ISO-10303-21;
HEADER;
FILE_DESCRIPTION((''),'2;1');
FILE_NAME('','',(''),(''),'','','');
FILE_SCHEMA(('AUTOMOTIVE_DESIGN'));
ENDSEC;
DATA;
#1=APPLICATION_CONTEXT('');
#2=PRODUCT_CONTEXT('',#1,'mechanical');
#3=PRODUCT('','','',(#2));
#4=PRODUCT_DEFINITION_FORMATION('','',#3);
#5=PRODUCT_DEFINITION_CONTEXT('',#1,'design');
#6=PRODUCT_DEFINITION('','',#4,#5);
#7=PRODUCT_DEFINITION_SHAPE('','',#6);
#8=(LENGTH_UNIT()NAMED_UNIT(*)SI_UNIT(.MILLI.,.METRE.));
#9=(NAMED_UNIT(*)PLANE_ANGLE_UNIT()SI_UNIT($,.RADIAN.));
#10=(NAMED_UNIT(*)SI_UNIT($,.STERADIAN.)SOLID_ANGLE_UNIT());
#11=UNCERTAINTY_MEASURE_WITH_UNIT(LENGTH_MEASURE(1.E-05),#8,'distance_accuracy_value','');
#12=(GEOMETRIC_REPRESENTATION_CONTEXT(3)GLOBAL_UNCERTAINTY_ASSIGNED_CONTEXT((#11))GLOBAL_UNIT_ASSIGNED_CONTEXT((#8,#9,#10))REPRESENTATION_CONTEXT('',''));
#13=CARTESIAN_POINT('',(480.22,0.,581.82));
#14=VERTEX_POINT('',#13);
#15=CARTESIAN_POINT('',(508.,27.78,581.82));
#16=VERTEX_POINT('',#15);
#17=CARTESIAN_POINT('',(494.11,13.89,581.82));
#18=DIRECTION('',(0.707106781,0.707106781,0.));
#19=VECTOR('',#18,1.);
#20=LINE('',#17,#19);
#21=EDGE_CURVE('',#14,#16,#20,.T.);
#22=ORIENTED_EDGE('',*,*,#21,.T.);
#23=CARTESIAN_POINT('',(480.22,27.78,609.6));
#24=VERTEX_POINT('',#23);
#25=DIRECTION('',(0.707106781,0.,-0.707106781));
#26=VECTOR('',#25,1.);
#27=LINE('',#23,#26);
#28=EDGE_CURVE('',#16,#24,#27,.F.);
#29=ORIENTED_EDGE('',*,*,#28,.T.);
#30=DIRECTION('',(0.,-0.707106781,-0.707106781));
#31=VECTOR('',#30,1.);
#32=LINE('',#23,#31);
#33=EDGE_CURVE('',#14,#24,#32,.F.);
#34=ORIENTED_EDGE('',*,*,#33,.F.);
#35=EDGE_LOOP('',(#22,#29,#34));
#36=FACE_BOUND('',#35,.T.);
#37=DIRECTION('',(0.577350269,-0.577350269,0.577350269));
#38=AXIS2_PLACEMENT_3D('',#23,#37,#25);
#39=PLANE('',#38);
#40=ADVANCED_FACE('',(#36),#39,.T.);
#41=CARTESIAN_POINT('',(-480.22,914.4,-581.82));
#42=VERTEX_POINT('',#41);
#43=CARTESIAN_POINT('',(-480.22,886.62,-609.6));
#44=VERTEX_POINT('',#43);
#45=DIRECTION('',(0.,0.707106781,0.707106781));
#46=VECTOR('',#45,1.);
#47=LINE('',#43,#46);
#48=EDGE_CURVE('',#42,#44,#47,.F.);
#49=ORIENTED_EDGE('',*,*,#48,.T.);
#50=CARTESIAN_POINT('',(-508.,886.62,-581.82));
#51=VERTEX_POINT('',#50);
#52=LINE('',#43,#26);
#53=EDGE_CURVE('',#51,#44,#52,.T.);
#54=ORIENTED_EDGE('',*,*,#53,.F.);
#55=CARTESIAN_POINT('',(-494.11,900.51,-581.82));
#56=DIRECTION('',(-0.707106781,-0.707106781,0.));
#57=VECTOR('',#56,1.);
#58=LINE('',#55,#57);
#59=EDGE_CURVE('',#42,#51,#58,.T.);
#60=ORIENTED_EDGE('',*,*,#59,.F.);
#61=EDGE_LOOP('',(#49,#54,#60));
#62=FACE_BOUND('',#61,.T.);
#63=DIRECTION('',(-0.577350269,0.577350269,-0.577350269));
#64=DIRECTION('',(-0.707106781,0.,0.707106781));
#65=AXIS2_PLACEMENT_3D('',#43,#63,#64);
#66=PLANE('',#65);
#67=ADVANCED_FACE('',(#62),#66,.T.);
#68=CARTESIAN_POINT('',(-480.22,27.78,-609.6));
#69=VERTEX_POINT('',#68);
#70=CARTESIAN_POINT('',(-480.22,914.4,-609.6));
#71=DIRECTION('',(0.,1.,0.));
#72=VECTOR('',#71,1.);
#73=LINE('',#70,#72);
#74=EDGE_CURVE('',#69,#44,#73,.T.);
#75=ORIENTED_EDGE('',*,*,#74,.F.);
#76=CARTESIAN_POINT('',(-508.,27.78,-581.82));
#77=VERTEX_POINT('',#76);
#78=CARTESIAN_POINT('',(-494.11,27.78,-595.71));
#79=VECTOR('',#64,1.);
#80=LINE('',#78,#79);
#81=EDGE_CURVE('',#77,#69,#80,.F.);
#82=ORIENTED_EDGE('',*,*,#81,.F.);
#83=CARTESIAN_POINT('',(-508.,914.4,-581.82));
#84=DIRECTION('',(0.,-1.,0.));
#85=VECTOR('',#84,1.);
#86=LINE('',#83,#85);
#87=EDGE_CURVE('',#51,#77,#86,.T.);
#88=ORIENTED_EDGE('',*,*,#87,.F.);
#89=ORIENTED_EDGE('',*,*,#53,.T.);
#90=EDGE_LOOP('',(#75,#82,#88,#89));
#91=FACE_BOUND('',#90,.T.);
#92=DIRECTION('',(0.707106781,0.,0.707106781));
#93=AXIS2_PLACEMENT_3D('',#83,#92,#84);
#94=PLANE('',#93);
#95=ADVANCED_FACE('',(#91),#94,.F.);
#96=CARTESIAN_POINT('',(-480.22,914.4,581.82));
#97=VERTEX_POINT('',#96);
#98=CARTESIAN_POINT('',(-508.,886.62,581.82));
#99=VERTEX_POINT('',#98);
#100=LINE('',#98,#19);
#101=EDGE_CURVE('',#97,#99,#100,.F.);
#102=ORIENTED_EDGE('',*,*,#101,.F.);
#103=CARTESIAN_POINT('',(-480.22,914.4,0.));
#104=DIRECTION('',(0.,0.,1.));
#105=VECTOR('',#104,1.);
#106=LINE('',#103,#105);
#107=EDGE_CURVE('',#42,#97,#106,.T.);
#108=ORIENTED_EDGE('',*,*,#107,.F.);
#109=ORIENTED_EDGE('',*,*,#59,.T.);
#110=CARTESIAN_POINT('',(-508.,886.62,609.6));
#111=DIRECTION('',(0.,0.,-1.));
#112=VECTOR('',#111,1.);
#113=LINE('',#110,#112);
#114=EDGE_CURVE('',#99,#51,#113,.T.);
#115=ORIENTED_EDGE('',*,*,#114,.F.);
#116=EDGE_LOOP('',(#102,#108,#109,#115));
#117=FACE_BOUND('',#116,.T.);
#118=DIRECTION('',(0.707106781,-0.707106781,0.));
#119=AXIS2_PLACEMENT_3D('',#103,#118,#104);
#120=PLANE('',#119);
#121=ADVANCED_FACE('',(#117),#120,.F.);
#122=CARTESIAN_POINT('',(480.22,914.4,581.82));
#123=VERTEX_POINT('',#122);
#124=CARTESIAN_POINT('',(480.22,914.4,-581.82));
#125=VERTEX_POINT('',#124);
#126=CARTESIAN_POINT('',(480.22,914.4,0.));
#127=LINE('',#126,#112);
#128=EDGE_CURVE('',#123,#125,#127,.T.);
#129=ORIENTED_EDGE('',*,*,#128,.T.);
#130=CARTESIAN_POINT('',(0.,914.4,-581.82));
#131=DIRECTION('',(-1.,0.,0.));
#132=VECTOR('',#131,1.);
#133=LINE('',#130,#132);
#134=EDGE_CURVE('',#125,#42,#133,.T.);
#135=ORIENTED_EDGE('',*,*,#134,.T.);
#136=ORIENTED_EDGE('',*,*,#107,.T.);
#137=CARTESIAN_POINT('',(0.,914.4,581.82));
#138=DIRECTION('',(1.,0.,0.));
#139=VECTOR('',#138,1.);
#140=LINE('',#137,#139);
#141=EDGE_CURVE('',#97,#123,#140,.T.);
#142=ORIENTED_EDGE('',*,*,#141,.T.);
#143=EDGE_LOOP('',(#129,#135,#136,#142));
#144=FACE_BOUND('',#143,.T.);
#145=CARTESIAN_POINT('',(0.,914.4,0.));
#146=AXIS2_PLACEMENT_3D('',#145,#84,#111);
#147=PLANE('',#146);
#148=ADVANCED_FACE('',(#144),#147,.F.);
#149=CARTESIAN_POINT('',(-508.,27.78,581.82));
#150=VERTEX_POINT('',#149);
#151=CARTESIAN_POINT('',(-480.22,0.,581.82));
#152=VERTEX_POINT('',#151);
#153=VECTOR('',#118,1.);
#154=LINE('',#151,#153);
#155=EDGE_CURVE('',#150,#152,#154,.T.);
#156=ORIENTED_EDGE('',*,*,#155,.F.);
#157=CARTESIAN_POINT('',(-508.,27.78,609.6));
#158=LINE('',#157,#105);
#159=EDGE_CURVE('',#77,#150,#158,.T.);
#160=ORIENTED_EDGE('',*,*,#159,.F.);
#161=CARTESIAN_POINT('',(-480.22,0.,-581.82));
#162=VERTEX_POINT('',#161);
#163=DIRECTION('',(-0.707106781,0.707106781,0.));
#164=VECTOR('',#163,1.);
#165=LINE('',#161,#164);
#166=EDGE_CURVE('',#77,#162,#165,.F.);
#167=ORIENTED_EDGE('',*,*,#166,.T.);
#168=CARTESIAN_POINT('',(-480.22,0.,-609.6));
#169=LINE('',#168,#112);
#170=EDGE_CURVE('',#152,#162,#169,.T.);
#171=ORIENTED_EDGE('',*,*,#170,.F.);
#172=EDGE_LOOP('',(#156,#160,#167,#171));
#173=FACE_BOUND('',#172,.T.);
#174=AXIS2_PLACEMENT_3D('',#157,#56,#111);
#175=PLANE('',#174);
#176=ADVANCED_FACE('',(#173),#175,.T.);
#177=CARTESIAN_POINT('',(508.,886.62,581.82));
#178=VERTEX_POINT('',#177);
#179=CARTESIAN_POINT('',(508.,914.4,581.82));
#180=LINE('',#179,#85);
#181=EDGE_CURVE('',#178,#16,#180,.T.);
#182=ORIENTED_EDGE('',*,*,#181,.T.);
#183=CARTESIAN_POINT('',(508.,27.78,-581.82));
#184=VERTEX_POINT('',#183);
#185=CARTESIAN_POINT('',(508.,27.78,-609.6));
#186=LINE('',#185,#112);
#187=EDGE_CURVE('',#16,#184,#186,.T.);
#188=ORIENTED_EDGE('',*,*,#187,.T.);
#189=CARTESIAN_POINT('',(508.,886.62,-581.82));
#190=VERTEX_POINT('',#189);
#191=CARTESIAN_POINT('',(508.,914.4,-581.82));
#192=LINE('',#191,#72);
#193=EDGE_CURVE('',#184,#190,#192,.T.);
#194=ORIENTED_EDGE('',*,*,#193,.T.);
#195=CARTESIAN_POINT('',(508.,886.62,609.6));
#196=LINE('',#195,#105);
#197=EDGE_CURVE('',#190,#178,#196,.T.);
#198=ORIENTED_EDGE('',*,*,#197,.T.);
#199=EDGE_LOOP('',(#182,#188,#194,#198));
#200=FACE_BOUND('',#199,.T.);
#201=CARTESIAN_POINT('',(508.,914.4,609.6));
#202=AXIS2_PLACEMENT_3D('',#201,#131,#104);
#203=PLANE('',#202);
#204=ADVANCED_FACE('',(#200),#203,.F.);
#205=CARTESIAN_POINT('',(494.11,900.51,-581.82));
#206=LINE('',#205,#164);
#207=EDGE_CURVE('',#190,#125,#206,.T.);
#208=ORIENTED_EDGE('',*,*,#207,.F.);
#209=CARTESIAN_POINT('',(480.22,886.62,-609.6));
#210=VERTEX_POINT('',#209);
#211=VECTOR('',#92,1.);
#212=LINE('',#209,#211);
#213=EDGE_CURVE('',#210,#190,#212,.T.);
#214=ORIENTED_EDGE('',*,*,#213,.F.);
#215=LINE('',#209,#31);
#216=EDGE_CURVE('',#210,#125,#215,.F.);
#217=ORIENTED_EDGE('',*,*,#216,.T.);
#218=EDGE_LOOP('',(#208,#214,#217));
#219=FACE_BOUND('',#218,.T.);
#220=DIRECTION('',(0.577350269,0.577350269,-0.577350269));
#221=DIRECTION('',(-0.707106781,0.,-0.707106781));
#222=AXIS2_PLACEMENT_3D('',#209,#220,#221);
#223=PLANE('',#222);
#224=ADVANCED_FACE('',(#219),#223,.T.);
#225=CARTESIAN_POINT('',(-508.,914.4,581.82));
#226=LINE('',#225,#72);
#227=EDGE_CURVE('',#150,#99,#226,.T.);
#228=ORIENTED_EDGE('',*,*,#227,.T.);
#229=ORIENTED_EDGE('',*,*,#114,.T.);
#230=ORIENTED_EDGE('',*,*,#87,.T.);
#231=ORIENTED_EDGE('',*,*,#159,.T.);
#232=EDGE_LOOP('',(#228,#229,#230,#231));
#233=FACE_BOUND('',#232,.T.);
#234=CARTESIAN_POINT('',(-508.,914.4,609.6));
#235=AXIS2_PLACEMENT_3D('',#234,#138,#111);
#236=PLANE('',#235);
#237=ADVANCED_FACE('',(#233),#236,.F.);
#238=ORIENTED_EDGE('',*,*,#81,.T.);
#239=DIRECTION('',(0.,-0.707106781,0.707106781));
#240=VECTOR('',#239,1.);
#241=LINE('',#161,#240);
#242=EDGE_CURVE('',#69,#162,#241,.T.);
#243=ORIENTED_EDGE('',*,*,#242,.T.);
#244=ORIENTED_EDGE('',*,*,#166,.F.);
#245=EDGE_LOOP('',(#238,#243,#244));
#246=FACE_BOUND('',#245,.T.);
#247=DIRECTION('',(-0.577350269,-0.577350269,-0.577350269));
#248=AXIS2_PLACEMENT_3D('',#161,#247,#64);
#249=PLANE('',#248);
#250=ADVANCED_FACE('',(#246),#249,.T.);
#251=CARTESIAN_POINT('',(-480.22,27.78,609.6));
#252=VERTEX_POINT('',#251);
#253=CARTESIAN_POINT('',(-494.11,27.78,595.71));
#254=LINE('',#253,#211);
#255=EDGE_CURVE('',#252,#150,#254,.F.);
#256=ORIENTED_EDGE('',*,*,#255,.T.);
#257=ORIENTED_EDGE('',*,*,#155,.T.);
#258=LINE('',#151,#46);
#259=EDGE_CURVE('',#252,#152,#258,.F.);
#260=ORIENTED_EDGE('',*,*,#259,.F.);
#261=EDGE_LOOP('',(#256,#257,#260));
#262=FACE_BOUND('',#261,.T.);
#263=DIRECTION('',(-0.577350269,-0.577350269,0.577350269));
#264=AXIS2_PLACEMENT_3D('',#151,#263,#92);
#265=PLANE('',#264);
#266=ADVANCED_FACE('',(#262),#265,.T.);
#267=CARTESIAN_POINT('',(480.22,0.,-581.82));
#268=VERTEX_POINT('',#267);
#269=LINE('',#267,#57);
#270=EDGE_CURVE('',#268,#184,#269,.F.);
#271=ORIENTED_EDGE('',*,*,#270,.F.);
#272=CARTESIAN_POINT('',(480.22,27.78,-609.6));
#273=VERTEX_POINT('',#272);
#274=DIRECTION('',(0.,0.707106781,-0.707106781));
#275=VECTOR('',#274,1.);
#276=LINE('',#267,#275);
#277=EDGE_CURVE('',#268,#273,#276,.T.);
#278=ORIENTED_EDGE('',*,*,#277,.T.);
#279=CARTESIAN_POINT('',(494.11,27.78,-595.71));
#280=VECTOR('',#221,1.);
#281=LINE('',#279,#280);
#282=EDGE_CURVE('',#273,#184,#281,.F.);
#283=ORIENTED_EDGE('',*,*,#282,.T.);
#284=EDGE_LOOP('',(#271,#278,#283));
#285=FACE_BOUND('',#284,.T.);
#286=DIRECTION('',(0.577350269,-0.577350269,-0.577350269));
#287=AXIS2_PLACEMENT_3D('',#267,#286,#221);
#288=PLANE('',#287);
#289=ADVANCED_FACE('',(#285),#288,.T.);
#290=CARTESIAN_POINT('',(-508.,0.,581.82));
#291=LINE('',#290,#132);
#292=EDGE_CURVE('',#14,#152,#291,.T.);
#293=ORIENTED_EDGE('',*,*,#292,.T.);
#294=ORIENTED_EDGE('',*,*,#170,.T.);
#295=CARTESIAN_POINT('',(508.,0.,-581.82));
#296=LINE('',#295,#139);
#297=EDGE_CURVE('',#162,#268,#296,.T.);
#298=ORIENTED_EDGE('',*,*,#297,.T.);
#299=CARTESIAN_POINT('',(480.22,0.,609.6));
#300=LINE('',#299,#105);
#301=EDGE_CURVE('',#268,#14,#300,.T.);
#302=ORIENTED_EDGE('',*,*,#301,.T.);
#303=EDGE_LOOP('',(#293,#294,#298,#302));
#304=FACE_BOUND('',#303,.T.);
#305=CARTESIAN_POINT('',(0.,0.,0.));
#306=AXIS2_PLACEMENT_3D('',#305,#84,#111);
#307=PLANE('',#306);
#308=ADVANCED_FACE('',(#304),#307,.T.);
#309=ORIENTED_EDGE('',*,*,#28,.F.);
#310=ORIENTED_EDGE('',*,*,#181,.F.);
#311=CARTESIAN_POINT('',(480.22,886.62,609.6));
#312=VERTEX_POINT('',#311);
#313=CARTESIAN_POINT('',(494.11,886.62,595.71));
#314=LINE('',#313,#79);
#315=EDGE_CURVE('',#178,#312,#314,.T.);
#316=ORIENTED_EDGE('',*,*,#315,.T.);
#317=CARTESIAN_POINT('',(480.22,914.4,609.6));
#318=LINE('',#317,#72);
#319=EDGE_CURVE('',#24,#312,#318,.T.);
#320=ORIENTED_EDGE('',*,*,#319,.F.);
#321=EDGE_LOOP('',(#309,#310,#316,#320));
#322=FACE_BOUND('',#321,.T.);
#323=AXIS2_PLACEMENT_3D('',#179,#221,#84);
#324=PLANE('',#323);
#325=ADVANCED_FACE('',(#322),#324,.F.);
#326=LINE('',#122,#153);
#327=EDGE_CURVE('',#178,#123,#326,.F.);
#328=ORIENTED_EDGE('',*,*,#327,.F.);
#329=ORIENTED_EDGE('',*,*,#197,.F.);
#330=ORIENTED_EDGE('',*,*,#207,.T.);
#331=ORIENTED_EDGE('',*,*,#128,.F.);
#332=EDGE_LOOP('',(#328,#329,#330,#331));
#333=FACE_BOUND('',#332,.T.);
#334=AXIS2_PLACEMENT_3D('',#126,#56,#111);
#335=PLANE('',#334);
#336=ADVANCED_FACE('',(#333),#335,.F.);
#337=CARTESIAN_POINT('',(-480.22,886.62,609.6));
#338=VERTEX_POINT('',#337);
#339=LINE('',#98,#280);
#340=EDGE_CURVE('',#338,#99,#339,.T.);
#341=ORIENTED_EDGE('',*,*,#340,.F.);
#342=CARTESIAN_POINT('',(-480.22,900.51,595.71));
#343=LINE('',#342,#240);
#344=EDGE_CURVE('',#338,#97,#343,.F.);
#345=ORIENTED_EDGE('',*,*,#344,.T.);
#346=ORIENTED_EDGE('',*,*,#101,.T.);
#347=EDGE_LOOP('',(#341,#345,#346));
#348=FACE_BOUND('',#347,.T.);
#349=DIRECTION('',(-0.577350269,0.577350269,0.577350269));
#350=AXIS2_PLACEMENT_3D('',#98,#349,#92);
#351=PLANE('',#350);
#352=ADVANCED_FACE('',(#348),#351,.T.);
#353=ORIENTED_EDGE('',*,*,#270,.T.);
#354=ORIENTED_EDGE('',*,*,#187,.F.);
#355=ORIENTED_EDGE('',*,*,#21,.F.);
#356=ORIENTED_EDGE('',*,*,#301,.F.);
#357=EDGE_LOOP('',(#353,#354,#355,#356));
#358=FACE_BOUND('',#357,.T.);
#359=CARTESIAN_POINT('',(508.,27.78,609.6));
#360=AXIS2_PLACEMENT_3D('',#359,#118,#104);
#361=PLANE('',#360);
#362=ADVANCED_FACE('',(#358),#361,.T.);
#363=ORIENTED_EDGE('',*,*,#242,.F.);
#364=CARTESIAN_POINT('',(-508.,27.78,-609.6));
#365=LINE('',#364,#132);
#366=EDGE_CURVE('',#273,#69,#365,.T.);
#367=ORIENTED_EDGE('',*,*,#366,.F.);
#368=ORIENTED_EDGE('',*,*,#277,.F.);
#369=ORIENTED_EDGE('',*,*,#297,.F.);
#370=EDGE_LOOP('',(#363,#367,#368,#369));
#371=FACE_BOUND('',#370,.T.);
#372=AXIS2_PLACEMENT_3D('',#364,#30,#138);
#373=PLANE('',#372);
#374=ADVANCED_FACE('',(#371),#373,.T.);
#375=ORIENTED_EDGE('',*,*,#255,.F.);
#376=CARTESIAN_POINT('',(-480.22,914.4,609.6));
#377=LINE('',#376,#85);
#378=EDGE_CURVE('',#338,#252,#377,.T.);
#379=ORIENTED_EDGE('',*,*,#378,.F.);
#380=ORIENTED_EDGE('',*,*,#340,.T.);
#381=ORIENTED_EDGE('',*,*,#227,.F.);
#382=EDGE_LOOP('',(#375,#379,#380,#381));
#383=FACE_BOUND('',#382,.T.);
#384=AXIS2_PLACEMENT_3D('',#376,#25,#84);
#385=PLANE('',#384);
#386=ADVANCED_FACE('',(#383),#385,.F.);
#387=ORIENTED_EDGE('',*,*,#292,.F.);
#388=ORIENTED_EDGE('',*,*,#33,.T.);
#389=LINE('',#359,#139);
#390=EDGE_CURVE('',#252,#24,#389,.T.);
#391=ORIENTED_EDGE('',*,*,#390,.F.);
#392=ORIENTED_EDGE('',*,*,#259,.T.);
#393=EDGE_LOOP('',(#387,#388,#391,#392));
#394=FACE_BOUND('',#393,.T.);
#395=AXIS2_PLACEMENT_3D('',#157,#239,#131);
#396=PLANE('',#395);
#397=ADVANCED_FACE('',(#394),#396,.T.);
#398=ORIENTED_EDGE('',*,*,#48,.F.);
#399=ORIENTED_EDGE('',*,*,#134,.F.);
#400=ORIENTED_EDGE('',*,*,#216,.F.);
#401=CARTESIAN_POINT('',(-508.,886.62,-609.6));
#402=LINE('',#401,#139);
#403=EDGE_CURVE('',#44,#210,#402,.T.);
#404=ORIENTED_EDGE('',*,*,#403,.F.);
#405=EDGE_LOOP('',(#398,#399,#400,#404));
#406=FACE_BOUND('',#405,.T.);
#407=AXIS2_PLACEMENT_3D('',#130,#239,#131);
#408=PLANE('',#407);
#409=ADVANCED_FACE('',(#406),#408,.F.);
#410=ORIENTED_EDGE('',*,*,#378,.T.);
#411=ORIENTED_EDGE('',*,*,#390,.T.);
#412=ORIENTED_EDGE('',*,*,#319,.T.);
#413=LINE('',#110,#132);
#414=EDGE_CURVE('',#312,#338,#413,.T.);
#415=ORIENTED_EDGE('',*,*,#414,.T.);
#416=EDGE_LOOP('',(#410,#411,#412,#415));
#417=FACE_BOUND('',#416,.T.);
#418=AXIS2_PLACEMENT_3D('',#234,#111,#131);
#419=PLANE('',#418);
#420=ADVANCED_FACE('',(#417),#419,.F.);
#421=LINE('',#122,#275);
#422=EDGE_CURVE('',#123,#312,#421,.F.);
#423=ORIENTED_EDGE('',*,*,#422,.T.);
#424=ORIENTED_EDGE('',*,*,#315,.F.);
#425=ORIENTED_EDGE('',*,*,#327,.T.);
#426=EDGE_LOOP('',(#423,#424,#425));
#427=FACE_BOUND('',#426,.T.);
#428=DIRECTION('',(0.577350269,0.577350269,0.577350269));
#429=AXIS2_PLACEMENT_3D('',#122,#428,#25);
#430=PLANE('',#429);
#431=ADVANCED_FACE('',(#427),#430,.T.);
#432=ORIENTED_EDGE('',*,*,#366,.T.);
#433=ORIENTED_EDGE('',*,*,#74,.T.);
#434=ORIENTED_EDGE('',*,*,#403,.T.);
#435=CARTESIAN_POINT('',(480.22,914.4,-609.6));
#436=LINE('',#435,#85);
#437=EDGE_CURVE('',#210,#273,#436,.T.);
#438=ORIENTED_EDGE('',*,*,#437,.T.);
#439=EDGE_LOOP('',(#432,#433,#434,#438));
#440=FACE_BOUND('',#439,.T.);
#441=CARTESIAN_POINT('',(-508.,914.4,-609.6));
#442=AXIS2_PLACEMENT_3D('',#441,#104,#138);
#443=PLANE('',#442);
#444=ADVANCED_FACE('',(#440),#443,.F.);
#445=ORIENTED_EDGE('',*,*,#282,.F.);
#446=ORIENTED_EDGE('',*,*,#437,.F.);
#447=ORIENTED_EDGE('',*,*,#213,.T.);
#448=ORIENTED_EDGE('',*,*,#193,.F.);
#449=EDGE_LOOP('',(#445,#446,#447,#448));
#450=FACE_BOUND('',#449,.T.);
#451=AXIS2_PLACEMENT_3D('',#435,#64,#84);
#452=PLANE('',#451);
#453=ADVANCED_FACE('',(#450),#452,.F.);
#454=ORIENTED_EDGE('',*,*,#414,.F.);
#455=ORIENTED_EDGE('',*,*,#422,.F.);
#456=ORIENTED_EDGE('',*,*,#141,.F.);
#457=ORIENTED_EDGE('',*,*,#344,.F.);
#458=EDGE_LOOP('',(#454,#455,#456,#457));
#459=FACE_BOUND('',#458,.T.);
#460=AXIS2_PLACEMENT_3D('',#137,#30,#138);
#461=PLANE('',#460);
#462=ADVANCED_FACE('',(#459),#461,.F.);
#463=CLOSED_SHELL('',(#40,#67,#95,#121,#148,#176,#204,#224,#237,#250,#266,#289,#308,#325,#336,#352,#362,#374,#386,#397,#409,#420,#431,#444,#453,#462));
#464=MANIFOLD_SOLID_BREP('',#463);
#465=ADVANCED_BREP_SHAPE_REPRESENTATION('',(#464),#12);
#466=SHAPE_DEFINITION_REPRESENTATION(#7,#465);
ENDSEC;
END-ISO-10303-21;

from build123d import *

# Parameters (mm, degrees)
SKETCH2_W           = 1016
SKETCH2_H           = 1219.2
BOSS_EXTRUDE1_DEPTH = 914.4
CHAMFER1_SIZE       = 27.78


with BuildPart() as part:
    # Sketch2 → Boss-Extrude1 (new body)
    with BuildSketch(Plane(origin=(0, 0, 0), x_dir=(1, 0, 0), z_dir=(0, 1, 0))):
        Rectangle(SKETCH2_W, SKETCH2_H)
    extrude(amount=BOSS_EXTRUDE1_DEPTH)

    # Chamfer1
    chamfer1_edges = [part.edges().sort_by_distance(p)[0] for p in [
        (-508, 914.4, 0),
        (0, 914.4, 609.6),
        (508, 914.4, 0),
        (0, 0, 609.6),
        (-508, 0, 0),
        (0, 0, -609.6),
        (508, 0, 0),
        (0, 914.4, -609.6),
        (508, 457.2, 609.6),
        (-508, 457.2, 609.6),
        (-508, 457.2, -609.6),
        (508, 457.2, -609.6),
    ]]
    chamfer(chamfer1_edges, length=CHAMFER1_SIZE)


solid = part.part
